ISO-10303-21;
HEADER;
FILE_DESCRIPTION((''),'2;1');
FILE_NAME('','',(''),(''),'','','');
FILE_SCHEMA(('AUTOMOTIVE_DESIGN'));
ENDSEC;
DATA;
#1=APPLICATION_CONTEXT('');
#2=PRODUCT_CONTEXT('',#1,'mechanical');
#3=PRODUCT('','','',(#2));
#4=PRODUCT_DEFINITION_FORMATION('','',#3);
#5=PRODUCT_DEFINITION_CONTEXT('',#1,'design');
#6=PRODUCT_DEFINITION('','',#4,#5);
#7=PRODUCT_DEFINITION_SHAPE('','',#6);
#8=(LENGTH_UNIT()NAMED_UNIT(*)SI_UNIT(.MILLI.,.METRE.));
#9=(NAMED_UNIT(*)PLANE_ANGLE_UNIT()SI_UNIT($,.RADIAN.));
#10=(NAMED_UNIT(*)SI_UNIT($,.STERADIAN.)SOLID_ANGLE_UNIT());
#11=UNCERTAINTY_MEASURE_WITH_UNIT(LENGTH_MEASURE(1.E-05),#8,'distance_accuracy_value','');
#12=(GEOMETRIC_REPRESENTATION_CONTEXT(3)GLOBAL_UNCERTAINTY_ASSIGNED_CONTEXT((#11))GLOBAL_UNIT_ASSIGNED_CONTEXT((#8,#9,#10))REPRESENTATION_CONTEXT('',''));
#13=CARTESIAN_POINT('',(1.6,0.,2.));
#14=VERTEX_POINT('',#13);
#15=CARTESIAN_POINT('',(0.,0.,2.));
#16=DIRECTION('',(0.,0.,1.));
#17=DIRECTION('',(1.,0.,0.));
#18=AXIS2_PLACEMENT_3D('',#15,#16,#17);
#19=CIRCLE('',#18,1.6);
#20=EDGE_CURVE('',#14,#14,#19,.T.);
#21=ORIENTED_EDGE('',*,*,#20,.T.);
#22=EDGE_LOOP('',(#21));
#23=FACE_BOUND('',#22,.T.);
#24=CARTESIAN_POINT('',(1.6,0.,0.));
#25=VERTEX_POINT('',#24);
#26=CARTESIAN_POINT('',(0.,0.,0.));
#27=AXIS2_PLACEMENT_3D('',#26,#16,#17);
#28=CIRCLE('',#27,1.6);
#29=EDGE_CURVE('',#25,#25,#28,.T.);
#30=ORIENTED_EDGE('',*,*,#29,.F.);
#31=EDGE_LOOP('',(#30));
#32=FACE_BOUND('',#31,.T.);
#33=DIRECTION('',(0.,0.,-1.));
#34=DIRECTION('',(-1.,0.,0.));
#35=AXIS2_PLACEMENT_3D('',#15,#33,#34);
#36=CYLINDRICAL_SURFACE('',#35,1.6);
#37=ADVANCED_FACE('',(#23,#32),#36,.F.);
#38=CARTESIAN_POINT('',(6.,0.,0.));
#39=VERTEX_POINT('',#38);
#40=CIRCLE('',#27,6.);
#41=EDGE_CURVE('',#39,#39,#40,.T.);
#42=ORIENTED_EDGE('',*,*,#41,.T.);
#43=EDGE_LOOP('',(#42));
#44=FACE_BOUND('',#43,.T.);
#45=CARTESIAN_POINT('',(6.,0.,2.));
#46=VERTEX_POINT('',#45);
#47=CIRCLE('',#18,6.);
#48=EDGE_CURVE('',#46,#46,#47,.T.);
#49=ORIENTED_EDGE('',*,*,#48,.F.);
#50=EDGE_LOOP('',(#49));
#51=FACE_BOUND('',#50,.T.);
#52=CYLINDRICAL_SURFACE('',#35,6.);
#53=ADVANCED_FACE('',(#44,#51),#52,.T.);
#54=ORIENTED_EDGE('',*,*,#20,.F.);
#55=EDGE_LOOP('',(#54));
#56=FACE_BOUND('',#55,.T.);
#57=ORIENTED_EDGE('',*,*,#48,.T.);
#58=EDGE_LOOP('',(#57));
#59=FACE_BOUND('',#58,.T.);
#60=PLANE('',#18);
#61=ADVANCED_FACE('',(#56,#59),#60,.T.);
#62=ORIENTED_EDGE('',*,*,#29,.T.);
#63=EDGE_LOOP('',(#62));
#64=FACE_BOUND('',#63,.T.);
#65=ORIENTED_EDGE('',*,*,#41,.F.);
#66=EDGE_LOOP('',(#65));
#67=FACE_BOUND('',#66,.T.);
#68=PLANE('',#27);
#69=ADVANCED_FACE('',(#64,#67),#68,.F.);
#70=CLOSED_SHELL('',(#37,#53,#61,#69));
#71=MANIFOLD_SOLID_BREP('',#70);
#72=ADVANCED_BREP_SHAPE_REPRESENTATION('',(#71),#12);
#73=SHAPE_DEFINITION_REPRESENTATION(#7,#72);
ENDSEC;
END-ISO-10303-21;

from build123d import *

# Parameters (mm, degrees)
CROQUIS1_R                 = 6
CROQUIS1_R_2               = 1.6
ARANDELA_ESPACIADORA_DEPTH = 2


with BuildPart() as part:
    # Croquis1 → Arandela espaciadora (new body)
    with BuildSketch(Plane.XY):
        Circle(CROQUIS1_R)
        Circle(CROQUIS1_R_2, mode=Mode.SUBTRACT)
    extrude(amount=ARANDELA_ESPACIADORA_DEPTH)


solid = part.part
